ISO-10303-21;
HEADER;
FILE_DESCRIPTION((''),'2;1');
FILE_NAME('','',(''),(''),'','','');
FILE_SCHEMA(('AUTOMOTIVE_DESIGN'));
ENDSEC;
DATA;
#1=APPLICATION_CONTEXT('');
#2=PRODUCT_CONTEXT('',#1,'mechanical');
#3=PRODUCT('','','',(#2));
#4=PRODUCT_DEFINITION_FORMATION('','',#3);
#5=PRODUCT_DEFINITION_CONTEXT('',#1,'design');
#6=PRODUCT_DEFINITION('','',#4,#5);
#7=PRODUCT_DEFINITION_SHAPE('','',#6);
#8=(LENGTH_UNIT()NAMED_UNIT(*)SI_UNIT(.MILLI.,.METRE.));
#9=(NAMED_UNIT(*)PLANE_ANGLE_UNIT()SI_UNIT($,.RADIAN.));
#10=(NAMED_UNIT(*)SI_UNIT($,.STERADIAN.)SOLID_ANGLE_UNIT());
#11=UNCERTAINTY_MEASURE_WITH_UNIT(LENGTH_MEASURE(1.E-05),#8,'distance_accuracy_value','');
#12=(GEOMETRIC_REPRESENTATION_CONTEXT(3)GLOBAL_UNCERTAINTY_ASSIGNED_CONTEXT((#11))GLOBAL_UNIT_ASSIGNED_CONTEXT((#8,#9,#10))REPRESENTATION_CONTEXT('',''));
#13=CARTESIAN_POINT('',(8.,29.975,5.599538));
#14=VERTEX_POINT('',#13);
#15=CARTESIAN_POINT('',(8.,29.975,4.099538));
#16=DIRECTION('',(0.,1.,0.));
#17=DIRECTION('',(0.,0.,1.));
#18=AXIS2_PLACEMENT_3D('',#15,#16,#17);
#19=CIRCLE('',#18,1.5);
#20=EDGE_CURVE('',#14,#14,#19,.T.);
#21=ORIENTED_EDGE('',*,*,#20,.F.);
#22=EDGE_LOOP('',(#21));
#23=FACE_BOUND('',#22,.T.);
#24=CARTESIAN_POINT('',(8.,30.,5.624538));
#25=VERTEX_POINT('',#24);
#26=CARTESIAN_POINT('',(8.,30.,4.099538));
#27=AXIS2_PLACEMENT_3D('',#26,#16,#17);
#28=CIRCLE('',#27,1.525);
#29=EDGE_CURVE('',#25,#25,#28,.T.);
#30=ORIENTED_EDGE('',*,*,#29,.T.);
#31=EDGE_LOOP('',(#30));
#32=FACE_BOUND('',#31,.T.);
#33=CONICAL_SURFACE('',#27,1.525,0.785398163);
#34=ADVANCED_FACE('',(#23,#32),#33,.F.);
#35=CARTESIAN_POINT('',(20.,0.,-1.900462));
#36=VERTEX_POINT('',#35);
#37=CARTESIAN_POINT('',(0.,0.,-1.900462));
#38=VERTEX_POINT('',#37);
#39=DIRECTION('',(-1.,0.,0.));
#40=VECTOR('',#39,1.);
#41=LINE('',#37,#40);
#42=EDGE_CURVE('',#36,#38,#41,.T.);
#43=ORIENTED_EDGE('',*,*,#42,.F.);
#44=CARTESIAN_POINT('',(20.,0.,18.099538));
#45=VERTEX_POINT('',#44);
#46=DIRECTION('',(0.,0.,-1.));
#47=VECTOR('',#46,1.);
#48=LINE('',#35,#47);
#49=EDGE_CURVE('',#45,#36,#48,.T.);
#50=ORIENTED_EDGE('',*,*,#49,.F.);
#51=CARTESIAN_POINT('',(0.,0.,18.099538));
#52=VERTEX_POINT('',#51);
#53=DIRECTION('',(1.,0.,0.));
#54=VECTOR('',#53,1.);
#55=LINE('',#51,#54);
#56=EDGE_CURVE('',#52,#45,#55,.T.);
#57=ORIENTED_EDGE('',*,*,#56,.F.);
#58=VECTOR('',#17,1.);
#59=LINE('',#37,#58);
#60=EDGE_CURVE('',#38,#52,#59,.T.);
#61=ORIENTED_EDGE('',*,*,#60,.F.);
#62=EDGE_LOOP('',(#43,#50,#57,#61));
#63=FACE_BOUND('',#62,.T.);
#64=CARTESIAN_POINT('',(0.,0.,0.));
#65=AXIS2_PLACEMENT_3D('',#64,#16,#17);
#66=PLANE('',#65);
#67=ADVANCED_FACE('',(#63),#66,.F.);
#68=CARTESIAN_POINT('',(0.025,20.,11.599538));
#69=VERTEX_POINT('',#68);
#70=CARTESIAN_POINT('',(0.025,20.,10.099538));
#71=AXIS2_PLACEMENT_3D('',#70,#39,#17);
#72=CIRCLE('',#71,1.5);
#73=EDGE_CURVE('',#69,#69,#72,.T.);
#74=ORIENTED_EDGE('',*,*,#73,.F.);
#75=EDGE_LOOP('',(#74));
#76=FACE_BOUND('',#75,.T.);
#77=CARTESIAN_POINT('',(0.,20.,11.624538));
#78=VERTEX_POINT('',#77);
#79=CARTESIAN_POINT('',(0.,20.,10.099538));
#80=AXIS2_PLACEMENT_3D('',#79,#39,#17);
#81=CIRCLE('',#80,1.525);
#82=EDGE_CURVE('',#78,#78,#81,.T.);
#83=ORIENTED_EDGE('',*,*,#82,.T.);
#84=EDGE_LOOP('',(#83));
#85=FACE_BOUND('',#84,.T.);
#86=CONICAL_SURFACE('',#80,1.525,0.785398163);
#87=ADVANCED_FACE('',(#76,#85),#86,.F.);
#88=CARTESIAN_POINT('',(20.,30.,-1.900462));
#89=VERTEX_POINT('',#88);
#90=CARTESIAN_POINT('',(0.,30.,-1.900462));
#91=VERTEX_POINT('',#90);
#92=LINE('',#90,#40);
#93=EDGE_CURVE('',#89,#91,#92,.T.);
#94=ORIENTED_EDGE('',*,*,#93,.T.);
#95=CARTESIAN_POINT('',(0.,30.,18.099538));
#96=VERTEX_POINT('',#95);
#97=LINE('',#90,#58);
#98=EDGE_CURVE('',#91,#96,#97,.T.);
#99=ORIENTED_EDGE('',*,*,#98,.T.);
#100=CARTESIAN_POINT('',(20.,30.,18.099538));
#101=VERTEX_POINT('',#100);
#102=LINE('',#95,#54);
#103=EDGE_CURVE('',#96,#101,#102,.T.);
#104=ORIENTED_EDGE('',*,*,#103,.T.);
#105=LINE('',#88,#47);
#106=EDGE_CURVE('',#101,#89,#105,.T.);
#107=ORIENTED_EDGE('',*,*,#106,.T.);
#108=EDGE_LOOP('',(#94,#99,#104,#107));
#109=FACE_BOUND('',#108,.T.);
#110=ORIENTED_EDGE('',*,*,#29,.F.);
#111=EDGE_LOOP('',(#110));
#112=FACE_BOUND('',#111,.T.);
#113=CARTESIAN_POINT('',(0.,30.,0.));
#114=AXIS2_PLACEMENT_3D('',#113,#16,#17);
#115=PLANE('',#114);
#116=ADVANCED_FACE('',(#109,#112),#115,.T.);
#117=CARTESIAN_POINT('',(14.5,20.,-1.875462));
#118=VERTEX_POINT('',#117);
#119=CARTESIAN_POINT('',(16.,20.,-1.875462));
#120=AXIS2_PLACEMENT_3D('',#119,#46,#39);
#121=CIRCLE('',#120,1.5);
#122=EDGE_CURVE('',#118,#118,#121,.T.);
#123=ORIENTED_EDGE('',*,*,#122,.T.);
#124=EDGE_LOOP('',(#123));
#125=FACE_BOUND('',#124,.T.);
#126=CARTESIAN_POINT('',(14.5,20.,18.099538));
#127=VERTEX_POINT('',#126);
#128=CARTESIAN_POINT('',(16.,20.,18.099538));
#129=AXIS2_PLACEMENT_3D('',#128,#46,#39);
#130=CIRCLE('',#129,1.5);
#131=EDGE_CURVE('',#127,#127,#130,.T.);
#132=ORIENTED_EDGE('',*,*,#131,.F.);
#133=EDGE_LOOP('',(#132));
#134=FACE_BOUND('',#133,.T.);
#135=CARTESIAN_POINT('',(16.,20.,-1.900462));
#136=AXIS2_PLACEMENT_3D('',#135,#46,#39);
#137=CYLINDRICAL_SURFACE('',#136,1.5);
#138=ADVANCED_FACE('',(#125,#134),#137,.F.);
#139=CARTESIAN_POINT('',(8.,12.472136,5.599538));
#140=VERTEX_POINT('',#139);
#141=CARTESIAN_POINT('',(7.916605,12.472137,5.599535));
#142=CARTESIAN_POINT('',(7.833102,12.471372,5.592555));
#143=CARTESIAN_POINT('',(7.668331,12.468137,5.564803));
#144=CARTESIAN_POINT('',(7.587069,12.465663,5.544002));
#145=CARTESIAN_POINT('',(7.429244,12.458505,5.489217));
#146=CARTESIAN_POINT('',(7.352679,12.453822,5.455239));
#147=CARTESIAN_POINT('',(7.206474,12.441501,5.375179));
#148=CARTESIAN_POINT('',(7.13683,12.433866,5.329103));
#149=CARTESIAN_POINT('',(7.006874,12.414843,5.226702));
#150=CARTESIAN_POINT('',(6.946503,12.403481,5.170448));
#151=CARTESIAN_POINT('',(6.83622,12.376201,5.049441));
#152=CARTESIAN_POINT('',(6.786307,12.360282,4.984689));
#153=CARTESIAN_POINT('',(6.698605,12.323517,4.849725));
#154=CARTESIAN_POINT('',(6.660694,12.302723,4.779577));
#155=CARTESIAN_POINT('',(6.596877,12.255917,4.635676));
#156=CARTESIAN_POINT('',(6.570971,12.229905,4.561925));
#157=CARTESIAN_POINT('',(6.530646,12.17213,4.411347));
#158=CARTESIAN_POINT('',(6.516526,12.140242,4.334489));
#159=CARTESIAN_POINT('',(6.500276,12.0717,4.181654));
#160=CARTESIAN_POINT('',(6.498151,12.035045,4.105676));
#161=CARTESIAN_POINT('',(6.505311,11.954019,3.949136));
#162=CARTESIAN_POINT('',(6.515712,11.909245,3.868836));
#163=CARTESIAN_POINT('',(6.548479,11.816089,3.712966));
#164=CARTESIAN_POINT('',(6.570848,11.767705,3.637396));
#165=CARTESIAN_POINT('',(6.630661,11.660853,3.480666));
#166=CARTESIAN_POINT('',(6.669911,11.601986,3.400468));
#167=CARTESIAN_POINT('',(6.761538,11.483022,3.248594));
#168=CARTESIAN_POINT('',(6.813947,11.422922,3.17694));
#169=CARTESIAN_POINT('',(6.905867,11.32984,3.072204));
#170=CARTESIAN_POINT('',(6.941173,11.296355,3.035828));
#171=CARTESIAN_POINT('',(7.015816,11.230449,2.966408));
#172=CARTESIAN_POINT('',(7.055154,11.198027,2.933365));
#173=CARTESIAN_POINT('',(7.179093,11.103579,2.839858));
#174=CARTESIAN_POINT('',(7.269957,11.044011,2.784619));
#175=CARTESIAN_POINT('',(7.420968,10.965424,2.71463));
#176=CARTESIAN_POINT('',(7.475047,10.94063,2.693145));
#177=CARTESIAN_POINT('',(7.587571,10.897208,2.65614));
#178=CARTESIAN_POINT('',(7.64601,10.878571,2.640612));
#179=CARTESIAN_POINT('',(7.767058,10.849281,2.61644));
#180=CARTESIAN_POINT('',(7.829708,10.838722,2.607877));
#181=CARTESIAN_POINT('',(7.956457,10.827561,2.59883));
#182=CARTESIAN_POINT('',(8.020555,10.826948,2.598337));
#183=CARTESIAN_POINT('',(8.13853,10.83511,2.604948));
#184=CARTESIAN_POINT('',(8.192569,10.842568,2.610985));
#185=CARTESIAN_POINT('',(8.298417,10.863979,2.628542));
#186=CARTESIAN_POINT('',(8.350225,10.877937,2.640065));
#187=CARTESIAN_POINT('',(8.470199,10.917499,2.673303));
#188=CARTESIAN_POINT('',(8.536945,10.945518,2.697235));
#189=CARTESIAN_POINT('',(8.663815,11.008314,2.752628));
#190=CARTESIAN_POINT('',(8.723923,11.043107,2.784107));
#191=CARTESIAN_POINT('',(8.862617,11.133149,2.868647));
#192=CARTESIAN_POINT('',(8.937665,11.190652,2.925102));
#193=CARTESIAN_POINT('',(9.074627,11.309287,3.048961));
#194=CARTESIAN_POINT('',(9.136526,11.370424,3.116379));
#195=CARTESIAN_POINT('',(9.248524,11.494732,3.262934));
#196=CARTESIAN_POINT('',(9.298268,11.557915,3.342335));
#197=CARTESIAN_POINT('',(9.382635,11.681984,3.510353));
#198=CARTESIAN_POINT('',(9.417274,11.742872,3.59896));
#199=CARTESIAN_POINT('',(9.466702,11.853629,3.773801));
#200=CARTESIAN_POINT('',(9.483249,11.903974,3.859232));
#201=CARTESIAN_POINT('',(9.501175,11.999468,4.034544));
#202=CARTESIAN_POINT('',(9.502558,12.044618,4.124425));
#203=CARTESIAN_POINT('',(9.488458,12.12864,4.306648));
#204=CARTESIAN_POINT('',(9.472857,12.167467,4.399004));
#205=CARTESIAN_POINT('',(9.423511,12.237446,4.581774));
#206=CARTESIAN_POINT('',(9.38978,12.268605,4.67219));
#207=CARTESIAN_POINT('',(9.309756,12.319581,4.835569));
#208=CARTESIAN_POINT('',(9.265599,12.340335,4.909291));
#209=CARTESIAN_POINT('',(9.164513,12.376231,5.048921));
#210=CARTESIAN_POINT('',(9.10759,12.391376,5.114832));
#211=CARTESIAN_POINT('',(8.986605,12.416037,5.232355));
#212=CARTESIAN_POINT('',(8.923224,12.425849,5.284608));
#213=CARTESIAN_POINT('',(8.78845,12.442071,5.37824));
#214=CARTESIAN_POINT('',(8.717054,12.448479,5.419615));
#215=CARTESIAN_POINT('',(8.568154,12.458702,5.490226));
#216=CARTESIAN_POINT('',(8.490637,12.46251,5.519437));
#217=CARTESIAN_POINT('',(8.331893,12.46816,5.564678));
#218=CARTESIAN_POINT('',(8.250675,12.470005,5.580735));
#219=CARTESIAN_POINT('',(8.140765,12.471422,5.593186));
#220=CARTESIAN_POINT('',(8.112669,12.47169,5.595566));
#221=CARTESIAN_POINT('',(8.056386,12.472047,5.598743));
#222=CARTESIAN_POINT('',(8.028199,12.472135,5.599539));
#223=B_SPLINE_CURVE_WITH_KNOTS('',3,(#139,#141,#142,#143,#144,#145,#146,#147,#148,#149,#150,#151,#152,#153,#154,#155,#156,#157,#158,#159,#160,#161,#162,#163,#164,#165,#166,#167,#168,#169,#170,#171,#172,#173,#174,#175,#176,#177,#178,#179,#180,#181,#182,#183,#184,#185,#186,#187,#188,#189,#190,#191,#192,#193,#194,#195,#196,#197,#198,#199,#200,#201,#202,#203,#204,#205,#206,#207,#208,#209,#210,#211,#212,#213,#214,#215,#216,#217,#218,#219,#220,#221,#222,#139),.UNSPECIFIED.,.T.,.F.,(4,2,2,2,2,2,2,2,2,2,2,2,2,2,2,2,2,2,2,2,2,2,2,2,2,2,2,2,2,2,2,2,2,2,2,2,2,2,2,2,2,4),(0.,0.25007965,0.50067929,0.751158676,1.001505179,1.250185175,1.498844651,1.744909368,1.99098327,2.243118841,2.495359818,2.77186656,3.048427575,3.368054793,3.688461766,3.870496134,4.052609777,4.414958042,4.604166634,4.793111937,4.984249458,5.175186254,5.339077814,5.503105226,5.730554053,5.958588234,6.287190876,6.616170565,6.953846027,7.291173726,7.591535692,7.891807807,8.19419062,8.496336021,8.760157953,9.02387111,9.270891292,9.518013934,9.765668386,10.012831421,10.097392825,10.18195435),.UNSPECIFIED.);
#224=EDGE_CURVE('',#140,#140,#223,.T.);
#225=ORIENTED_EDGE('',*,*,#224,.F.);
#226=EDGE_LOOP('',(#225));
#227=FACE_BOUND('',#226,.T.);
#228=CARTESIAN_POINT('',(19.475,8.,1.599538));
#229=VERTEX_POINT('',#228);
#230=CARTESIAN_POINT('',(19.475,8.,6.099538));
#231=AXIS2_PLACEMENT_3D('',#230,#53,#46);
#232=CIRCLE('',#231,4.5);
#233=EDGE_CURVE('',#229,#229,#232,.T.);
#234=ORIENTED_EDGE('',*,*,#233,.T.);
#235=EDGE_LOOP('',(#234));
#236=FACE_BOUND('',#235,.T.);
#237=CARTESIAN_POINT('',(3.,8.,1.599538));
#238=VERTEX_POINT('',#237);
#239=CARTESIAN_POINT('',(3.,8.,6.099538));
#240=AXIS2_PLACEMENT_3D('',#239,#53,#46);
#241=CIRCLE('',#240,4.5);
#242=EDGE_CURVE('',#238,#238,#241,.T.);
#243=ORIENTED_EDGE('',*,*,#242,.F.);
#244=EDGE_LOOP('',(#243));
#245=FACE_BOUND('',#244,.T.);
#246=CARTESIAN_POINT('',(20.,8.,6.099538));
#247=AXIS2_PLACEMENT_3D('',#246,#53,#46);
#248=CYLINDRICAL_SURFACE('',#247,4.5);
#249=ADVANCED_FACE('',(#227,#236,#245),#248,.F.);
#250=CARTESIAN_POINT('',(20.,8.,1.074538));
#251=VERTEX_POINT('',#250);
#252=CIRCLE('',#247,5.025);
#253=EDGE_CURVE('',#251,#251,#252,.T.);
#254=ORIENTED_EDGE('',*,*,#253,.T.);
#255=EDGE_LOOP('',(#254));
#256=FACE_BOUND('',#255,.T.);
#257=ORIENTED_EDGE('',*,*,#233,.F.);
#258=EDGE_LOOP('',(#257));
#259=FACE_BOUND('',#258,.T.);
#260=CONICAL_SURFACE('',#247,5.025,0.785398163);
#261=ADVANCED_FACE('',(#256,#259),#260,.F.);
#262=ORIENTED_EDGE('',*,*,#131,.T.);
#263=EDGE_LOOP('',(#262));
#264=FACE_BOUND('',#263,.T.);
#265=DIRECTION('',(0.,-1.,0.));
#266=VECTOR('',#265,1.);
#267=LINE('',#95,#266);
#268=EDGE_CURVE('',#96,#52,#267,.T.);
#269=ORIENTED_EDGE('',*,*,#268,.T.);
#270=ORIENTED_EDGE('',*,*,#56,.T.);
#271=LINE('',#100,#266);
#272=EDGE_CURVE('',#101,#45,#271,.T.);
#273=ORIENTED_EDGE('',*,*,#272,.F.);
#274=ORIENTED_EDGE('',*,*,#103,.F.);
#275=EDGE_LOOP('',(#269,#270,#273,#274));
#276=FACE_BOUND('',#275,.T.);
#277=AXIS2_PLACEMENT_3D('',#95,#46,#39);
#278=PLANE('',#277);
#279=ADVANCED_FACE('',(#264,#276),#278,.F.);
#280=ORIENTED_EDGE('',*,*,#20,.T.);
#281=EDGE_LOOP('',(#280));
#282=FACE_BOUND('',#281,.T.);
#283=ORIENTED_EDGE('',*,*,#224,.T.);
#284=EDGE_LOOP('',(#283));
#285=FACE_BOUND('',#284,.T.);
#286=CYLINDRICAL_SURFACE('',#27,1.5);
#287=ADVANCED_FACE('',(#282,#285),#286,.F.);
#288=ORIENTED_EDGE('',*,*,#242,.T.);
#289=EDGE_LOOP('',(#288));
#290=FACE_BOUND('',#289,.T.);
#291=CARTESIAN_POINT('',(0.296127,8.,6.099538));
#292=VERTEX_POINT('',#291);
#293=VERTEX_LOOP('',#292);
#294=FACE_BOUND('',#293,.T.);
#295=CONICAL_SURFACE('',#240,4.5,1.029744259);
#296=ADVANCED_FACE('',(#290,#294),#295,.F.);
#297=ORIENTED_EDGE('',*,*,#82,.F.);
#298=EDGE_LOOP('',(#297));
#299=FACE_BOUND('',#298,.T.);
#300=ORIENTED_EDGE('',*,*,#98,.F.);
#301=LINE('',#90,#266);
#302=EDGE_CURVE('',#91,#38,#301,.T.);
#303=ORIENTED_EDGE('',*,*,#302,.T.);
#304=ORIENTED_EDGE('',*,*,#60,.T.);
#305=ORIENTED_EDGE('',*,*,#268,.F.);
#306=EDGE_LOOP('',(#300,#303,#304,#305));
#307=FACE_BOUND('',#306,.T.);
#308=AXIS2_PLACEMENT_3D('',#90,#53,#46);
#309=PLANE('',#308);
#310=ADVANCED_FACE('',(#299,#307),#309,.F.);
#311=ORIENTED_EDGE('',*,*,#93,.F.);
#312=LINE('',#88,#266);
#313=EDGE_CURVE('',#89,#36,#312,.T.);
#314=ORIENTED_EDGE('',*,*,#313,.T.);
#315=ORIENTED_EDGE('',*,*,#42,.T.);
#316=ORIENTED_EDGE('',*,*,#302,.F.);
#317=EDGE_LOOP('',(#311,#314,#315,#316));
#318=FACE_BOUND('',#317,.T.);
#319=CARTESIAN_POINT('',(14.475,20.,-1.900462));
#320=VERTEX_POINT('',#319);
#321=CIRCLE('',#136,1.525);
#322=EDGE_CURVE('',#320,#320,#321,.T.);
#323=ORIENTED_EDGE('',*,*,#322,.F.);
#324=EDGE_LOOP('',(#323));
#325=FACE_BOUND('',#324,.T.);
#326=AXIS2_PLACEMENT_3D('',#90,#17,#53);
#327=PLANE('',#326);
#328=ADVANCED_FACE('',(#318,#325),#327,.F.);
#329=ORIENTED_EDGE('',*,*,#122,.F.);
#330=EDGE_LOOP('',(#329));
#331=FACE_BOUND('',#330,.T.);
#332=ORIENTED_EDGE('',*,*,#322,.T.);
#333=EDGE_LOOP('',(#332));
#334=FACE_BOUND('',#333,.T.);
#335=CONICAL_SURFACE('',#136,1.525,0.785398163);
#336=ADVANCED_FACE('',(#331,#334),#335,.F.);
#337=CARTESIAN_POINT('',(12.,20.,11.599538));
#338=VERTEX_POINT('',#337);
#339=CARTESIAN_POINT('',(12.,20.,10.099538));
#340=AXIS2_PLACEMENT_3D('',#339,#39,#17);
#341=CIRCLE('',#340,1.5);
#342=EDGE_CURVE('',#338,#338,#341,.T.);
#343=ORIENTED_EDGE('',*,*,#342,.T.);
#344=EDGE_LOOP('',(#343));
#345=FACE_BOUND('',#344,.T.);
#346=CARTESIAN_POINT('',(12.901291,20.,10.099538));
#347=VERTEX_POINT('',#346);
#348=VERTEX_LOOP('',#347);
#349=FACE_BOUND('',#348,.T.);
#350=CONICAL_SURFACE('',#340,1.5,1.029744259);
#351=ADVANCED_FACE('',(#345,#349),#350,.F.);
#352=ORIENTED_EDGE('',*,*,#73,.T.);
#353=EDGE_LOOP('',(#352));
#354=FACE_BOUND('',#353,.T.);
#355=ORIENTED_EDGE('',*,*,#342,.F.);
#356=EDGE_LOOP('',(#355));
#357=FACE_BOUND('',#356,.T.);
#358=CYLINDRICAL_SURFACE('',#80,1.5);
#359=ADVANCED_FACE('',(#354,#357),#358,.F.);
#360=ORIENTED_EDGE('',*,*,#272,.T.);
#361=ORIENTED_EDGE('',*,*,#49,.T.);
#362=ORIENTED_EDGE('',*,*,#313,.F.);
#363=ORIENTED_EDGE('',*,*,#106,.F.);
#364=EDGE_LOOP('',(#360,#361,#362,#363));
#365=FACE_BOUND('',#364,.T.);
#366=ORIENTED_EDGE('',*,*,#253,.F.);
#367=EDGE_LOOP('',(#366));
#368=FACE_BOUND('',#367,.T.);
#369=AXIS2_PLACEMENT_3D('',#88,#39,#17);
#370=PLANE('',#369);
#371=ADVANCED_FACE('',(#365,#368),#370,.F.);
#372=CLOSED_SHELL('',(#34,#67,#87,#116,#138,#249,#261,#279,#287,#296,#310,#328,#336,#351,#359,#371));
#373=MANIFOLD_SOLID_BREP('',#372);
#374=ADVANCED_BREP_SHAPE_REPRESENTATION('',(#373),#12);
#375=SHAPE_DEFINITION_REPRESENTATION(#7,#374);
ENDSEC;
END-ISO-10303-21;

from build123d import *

# Parameters (mm, degrees)
SKETCH1_W                        = 20
SKETCH1_H                        = 20
BOSS_EXTRUDE1_DEPTH              = 30
F_3_0MM_DOWEL_HOLE1_D            = 3
F_3_0MM_DOWEL_HOLE1_DEPTH        = 20
F_3_0MM_DOWEL_HOLE1_CSINK_D      = 3.05
F_3_0MM_DOWEL_HOLE1_CSINK_ANGLE  = 90
F_3_0MM_DOWEL_HOLE1_TIP          = 0.901290929
F_3_0MM_DOWEL_HOLE2_D            = 3
F_3_0MM_DOWEL_HOLE2_DEPTH        = 12
F_3_0MM_DOWEL_HOLE2_CSINK_D      = 3.05
F_3_0MM_DOWEL_HOLE2_CSINK_ANGLE  = 90
F_3_0MM_DOWEL_HOLE2_TIP          = 0.901290929
F_3_0MM_DOWEL_HOLE3_D            = 3
F_3_0MM_DOWEL_HOLE3_DEPTH        = 20
F_3_0MM_DOWEL_HOLE3_CSINK_D      = 3.05
F_3_0MM_DOWEL_HOLE3_CSINK_ANGLE  = 90
F_3_0MM_DOWEL_HOLE3_TIP          = 0.901290929
F_10_0MM_DOWEL_HOLE1_D           = 9
F_10_0MM_DOWEL_HOLE1_DEPTH       = 17
F_10_0MM_DOWEL_HOLE1_CSINK_D     = 10.05
F_10_0MM_DOWEL_HOLE1_CSINK_ANGLE = 90
F_10_0MM_DOWEL_HOLE1_TIP         = 2.703872786


with BuildPart() as part:
    # Sketch1 → Boss-Extrude1 (new body)
    with BuildSketch(Plane(origin=(0, 0, 0), x_dir=(1, 0, 0), z_dir=(0, 1, 0))):
        with Locations((10, -8.099538279)):
            Rectangle(SKETCH1_W, SKETCH1_H)
    extrude(amount=BOSS_EXTRUDE1_DEPTH)

    # Ø3.0mm Dowel Hole1
    with Locations(Plane(origin=(0, 0, -1.900461721), x_dir=(-1, 0, 0), z_dir=(0, 0, -1))):
        with Locations((-16, 20)):
            CounterSinkHole(F_3_0MM_DOWEL_HOLE1_D / 2, F_3_0MM_DOWEL_HOLE1_CSINK_D / 2, depth=F_3_0MM_DOWEL_HOLE1_DEPTH, counter_sink_angle=F_3_0MM_DOWEL_HOLE1_CSINK_ANGLE)
            with Locations((0, 0, -(F_3_0MM_DOWEL_HOLE1_DEPTH + F_3_0MM_DOWEL_HOLE1_TIP / 2))):  # 118° drill point
                Cone(0, F_3_0MM_DOWEL_HOLE1_D / 2, F_3_0MM_DOWEL_HOLE1_TIP, mode=Mode.SUBTRACT)

    # Ø3.0mm Dowel Hole2
    with Locations(Plane.ZY):
        with Locations((10.099538279, 20)):
            CounterSinkHole(F_3_0MM_DOWEL_HOLE2_D / 2, F_3_0MM_DOWEL_HOLE2_CSINK_D / 2, depth=F_3_0MM_DOWEL_HOLE2_DEPTH, counter_sink_angle=F_3_0MM_DOWEL_HOLE2_CSINK_ANGLE)
            with Locations((0, 0, -(F_3_0MM_DOWEL_HOLE2_DEPTH + F_3_0MM_DOWEL_HOLE2_TIP / 2))):  # 118° drill point
                Cone(0, F_3_0MM_DOWEL_HOLE2_D / 2, F_3_0MM_DOWEL_HOLE2_TIP, mode=Mode.SUBTRACT)

    # Ø3.0mm Dowel Hole3
    with Locations(Plane(origin=(0, 30, 0), x_dir=(1, 0, 0), z_dir=(0, 1, 0))):
        with Locations((8, -4.099538279)):
            CounterSinkHole(F_3_0MM_DOWEL_HOLE3_D / 2, F_3_0MM_DOWEL_HOLE3_CSINK_D / 2, depth=F_3_0MM_DOWEL_HOLE3_DEPTH, counter_sink_angle=F_3_0MM_DOWEL_HOLE3_CSINK_ANGLE)
            with Locations((0, 0, -(F_3_0MM_DOWEL_HOLE3_DEPTH + F_3_0MM_DOWEL_HOLE3_TIP / 2))):  # 118° drill point
                Cone(0, F_3_0MM_DOWEL_HOLE3_D / 2, F_3_0MM_DOWEL_HOLE3_TIP, mode=Mode.SUBTRACT)

    # Ø10.0mm Dowel Hole1
    with Locations(Plane(origin=(20, 0, 0), x_dir=(0, 0, -1), z_dir=(1, 0, 0))):
        with Locations((-6.099538279, 8)):
            CounterSinkHole(F_10_0MM_DOWEL_HOLE1_D / 2, F_10_0MM_DOWEL_HOLE1_CSINK_D / 2, depth=F_10_0MM_DOWEL_HOLE1_DEPTH, counter_sink_angle=F_10_0MM_DOWEL_HOLE1_CSINK_ANGLE)
            with Locations((0, 0, -(F_10_0MM_DOWEL_HOLE1_DEPTH + F_10_0MM_DOWEL_HOLE1_TIP / 2))):  # 118° drill point
                Cone(0, F_10_0MM_DOWEL_HOLE1_D / 2, F_10_0MM_DOWEL_HOLE1_TIP, mode=Mode.SUBTRACT)


solid = part.part
